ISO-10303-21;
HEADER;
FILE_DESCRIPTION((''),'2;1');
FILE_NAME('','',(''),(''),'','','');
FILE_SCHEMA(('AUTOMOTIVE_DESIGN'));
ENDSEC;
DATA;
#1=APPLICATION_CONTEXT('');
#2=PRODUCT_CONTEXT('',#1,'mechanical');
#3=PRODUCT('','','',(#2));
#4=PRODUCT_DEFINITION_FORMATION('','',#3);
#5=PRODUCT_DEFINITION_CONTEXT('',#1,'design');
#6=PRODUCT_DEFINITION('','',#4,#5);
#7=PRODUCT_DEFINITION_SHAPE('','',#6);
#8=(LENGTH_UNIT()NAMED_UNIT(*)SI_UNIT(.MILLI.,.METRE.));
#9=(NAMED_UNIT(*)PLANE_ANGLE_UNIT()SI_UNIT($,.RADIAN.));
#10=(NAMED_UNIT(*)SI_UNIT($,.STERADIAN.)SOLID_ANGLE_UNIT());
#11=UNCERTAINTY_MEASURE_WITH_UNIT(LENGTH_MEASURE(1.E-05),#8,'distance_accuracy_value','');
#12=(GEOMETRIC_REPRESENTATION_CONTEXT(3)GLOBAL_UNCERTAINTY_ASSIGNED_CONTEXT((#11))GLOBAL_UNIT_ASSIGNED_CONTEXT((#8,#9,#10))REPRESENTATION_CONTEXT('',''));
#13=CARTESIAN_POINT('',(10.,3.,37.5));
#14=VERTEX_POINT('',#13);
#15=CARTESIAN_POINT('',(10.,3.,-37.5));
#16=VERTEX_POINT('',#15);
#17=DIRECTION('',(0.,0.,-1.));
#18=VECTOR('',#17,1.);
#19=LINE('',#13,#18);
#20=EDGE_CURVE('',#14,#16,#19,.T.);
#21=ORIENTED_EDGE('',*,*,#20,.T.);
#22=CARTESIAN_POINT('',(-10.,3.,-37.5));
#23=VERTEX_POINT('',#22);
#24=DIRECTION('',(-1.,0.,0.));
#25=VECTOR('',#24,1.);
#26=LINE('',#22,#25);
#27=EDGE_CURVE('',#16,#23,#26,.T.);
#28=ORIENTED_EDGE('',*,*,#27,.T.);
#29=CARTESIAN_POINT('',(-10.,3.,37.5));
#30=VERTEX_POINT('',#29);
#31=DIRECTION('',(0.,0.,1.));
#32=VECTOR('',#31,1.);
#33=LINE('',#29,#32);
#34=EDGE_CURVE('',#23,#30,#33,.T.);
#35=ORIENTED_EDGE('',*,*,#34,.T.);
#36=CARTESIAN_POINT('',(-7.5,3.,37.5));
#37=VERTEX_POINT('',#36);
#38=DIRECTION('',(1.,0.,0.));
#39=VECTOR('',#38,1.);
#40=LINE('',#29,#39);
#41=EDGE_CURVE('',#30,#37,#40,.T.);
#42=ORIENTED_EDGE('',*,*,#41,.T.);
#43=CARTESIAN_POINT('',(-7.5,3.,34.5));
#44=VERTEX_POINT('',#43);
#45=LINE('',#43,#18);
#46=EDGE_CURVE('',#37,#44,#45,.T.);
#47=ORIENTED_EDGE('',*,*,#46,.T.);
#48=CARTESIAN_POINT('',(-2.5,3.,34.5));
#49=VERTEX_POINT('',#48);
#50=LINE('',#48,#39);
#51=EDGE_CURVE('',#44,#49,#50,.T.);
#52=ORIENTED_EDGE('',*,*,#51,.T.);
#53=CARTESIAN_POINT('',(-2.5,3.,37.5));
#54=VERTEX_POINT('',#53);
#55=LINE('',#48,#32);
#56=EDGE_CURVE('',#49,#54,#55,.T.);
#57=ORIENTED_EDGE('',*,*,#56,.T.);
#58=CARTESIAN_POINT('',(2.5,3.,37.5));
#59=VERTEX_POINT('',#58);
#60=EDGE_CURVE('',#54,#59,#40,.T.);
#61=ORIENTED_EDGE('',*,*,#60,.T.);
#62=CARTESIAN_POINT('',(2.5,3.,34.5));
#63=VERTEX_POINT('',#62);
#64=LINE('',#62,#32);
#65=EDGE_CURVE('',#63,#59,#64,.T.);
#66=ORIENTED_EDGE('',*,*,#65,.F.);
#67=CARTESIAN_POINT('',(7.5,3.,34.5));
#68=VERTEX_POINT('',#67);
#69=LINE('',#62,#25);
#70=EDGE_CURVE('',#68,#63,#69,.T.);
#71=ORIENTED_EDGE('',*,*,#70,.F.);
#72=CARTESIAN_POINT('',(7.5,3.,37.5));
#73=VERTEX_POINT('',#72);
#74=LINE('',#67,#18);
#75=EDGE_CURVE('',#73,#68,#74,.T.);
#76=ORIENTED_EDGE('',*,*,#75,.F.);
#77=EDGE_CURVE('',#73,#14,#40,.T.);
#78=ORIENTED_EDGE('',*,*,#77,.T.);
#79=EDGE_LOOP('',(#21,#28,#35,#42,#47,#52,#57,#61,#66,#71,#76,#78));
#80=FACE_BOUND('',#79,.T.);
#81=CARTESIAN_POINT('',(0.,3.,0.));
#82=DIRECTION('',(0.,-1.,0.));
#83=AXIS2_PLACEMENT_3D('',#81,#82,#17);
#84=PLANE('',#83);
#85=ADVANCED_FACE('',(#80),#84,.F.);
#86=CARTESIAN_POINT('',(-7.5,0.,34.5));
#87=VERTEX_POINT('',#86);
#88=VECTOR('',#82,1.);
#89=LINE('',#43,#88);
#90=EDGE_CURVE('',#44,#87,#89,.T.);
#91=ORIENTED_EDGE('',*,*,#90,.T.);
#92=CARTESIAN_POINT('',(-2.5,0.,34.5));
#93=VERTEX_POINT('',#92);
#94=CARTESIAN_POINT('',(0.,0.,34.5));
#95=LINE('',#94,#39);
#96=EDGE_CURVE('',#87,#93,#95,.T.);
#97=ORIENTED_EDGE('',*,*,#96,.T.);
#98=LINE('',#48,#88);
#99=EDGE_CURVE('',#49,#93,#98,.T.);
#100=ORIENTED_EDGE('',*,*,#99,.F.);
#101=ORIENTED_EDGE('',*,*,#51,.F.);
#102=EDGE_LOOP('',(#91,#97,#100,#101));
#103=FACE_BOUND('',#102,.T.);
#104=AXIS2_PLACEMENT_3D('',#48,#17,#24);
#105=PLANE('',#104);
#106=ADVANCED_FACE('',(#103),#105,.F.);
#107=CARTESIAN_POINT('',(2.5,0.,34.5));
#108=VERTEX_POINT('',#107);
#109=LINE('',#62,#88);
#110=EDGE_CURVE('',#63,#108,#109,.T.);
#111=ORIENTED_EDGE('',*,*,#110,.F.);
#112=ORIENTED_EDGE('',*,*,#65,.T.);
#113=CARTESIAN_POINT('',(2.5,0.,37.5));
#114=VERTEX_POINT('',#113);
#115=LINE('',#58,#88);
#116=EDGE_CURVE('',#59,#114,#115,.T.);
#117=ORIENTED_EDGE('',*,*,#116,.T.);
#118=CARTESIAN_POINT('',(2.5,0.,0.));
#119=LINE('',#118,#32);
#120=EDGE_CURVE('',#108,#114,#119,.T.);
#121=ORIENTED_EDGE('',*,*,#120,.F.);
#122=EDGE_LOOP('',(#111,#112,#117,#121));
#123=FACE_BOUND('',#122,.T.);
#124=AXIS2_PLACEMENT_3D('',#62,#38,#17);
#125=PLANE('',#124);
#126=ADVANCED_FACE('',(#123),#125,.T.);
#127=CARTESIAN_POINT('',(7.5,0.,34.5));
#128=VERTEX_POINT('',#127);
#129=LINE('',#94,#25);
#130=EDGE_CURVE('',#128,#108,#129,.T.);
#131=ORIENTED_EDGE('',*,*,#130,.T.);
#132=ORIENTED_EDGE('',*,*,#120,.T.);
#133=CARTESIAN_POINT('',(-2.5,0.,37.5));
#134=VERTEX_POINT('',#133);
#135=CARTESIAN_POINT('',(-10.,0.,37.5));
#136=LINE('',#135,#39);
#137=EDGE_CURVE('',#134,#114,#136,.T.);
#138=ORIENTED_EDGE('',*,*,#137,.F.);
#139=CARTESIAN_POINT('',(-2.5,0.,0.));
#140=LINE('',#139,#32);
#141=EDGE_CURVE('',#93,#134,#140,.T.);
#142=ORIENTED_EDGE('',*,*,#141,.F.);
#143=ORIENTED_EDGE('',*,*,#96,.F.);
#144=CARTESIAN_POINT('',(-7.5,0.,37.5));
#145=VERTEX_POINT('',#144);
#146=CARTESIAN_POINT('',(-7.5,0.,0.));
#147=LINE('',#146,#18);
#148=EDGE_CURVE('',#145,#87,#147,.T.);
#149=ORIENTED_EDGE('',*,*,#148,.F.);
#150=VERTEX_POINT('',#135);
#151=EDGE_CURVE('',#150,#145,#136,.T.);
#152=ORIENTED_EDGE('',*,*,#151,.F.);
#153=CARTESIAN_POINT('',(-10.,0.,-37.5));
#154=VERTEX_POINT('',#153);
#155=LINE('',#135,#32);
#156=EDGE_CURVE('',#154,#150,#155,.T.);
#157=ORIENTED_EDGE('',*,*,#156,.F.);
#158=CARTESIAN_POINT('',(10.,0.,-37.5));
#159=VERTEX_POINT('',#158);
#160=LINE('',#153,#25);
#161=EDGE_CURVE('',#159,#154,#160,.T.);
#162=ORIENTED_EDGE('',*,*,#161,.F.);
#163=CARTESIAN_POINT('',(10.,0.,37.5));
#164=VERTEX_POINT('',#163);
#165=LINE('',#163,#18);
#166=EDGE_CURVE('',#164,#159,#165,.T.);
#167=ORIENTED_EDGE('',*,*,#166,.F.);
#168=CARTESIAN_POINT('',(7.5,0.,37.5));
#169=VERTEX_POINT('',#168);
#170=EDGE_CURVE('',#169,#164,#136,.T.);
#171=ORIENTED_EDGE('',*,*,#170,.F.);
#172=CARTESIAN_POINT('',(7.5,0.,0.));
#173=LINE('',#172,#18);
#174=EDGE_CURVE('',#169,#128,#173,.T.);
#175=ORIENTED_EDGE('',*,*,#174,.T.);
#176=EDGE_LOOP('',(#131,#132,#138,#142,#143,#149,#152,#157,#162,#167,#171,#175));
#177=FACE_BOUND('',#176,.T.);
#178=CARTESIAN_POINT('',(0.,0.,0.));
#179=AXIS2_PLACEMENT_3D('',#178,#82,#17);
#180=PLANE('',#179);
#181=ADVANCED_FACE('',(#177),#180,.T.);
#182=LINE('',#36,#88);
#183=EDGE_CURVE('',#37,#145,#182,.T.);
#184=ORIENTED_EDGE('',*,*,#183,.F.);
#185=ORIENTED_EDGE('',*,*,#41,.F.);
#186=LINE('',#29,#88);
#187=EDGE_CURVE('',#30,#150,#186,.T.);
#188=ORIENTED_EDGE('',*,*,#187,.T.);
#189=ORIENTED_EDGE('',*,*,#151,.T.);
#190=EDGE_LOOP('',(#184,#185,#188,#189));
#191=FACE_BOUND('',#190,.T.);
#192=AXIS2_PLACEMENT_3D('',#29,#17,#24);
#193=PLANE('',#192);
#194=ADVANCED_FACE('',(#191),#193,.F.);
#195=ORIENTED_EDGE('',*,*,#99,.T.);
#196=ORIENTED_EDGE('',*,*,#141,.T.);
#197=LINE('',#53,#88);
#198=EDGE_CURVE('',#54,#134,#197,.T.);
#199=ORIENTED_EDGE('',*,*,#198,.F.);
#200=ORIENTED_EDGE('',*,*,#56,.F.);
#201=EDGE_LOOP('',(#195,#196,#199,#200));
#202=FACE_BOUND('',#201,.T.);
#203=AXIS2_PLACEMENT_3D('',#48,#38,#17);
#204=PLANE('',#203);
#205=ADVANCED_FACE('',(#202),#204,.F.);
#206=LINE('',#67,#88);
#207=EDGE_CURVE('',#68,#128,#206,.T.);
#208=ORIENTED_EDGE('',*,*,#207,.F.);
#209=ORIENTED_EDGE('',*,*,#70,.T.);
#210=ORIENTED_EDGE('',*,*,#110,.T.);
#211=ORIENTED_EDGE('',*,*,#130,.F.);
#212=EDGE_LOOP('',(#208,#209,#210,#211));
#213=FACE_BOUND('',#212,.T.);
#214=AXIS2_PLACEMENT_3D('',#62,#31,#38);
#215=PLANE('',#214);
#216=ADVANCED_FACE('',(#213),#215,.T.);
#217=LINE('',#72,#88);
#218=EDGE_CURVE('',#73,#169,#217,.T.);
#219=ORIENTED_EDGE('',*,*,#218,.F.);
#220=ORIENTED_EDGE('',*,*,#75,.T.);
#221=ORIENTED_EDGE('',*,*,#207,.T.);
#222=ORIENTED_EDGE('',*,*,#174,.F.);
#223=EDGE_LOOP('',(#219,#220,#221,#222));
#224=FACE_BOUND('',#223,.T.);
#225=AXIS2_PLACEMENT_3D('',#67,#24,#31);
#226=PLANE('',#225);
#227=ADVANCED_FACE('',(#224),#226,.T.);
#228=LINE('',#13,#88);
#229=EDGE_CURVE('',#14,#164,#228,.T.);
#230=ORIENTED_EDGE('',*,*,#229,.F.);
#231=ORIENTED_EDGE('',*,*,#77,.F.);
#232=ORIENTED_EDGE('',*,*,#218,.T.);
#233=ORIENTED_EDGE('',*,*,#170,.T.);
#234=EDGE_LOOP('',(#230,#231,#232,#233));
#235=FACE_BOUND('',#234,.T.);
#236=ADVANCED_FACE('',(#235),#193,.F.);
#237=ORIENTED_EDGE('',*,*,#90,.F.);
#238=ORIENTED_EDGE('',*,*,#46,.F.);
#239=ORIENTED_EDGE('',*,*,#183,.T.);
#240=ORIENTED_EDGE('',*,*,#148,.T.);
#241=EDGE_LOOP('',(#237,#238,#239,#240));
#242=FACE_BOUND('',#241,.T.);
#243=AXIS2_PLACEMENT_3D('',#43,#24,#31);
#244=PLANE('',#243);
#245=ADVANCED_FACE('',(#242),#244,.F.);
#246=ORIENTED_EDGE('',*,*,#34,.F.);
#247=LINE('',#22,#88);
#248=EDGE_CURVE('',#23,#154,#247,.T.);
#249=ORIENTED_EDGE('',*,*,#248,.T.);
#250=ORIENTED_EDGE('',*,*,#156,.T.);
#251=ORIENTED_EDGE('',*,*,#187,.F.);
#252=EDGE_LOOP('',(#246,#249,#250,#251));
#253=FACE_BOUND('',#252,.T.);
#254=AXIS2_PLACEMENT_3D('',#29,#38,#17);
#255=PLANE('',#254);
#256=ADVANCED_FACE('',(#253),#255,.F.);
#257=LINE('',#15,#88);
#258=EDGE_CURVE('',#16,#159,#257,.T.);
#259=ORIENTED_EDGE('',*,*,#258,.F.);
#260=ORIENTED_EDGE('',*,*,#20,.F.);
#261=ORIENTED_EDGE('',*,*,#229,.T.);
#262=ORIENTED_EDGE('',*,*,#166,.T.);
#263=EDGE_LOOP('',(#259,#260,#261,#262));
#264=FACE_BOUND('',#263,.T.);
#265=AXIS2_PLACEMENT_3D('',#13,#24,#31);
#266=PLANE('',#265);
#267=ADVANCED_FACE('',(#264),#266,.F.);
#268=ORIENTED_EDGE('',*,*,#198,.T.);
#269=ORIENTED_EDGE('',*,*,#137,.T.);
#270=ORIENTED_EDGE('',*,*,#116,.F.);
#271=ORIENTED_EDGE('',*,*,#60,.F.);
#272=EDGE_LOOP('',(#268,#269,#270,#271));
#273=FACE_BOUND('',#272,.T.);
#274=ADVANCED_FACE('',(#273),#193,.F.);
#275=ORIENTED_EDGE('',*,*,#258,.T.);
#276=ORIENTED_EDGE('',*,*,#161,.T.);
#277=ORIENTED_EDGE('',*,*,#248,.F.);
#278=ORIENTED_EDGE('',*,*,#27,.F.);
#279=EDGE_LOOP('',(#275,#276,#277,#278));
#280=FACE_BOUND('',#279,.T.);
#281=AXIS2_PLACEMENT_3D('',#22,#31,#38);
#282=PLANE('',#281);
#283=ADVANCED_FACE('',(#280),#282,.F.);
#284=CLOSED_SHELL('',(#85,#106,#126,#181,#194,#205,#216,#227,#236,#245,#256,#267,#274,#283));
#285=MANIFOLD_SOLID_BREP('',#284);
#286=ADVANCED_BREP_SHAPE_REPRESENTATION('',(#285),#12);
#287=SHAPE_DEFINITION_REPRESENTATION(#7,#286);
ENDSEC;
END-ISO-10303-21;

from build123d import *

# Parameters (mm, degrees)
SKETCH1_W           = 20
SKETCH1_H           = 75
BOSS_EXTRUDE1_DEPTH = 3
CUT_EXTRUDE1_START  = -4
SKETCH2_W           = 5
SKETCH2_H           = 3
CUT_EXTRUDE1_DEPTH  = 5


with BuildPart() as part:
    # Sketch1 → Boss-Extrude1 (new body)
    with BuildSketch(Plane(origin=(0, 0, 0), x_dir=(1, 0, 0), z_dir=(0, 1, 0))):
        Rectangle(SKETCH1_W, SKETCH1_H)
    extrude(amount=BOSS_EXTRUDE1_DEPTH)

    # Sketch2 → Cut-Extrude1 (cut)
    with BuildSketch(Plane.XZ.offset(CUT_EXTRUDE1_START)):
        with Locations((-5, 36)):
            Rectangle(SKETCH2_W, SKETCH2_H)
    cut_extrude1 = extrude(amount=CUT_EXTRUDE1_DEPTH, mode=Mode.SUBTRACT)

    # Mirror1: Cut-Extrude1 across plane
    add(cut_extrude1.mirror(Plane(origin=(0, 0, 0), x_dir=(0, 0, 1), z_dir=(1, 0, 0))), mode=Mode.SUBTRACT)


solid = part.part
